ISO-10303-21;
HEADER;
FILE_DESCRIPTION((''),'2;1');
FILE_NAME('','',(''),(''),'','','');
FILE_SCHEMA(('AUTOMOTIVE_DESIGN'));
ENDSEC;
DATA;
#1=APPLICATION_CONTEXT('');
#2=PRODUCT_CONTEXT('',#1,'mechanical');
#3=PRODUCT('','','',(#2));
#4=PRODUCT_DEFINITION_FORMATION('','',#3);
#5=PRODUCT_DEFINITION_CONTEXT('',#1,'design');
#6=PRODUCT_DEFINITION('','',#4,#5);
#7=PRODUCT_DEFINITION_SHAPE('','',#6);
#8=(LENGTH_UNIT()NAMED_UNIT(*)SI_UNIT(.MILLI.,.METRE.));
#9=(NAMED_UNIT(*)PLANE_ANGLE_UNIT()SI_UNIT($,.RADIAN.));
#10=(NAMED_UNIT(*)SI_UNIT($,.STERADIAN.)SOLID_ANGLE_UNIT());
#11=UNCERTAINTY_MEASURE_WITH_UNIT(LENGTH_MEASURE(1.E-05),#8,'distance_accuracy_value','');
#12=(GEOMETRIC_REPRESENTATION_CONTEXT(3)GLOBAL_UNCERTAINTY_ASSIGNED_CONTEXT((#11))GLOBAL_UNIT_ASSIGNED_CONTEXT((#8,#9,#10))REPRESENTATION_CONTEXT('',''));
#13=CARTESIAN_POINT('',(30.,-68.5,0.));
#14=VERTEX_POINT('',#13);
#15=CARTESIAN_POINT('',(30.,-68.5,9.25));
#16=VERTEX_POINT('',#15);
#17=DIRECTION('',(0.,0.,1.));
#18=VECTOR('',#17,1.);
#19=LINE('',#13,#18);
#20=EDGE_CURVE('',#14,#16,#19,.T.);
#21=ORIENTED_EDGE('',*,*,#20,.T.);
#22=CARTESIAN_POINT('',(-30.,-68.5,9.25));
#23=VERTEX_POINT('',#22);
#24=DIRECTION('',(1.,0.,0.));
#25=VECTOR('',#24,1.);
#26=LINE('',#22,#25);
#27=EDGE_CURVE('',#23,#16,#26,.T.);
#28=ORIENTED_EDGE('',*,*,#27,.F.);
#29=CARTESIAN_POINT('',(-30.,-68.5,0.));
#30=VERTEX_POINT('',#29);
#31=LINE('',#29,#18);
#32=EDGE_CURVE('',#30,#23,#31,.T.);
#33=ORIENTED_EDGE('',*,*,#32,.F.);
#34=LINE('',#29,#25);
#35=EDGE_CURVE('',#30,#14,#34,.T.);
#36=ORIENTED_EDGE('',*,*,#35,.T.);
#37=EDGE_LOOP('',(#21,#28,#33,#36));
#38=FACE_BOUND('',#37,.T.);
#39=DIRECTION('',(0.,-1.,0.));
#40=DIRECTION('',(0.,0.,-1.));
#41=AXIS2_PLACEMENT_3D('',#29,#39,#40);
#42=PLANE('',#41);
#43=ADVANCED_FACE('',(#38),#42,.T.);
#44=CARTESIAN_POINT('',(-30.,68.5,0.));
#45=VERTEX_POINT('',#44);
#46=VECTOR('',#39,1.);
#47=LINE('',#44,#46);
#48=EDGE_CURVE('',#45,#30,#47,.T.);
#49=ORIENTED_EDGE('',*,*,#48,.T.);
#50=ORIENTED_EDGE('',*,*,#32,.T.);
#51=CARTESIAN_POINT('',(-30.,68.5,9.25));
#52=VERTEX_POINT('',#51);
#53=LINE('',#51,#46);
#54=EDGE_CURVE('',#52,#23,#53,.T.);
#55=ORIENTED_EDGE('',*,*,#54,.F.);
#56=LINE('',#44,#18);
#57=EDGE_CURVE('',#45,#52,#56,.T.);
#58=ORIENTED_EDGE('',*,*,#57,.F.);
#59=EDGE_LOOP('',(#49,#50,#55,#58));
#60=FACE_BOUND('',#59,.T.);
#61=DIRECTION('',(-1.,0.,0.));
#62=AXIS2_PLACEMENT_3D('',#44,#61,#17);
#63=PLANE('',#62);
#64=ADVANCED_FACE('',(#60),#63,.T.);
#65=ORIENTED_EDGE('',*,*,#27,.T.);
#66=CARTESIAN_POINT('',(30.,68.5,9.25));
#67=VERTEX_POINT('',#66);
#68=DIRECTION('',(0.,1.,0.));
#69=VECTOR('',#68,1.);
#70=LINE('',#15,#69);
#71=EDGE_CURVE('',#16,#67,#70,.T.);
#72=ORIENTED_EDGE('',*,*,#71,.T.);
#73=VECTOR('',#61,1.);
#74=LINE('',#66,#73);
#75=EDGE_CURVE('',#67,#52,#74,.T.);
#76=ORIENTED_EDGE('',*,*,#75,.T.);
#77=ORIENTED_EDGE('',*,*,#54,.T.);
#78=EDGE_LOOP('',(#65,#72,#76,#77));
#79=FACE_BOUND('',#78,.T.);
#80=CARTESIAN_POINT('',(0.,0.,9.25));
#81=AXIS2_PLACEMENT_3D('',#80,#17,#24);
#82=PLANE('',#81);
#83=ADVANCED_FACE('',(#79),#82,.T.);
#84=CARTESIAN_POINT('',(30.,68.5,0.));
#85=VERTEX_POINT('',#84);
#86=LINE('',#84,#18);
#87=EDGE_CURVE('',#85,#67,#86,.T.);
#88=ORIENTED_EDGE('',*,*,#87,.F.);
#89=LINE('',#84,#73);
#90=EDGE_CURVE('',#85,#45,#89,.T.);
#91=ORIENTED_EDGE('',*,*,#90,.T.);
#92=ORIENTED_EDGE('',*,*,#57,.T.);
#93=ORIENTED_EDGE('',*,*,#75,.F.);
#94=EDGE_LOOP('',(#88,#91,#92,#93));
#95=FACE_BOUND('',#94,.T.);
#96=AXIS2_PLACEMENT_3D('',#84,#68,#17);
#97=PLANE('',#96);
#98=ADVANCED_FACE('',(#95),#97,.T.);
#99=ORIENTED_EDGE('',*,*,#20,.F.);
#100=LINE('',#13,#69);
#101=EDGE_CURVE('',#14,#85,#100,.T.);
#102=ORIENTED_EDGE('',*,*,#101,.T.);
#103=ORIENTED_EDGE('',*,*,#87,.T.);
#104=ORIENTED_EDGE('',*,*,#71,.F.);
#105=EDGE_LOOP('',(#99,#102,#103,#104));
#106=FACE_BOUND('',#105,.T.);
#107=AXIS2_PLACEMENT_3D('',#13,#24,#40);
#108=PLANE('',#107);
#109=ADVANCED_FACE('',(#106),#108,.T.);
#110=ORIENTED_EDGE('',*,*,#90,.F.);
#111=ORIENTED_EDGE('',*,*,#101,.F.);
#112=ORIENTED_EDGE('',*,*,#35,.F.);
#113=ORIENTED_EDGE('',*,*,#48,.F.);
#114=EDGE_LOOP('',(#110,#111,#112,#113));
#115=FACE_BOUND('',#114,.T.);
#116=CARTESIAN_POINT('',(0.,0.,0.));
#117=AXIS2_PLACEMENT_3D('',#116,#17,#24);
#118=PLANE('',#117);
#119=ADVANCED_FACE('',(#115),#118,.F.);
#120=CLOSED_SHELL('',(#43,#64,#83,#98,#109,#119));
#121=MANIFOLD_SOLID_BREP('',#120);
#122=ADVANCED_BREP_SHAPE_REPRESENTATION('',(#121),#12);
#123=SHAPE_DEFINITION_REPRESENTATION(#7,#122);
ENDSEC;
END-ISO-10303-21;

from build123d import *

# Parameters (mm, degrees)
SKETCH1_W           = 60
SKETCH1_H           = 137
BOSS_EXTRUDE1_DEPTH = 9.25


with BuildPart() as part:
    # Sketch1 → Boss-Extrude1 (new body)
    with BuildSketch(Plane.XY.offset(9.25)):
        Rectangle(SKETCH1_W, SKETCH1_H)
    extrude(amount=-BOSS_EXTRUDE1_DEPTH)


solid = part.part
